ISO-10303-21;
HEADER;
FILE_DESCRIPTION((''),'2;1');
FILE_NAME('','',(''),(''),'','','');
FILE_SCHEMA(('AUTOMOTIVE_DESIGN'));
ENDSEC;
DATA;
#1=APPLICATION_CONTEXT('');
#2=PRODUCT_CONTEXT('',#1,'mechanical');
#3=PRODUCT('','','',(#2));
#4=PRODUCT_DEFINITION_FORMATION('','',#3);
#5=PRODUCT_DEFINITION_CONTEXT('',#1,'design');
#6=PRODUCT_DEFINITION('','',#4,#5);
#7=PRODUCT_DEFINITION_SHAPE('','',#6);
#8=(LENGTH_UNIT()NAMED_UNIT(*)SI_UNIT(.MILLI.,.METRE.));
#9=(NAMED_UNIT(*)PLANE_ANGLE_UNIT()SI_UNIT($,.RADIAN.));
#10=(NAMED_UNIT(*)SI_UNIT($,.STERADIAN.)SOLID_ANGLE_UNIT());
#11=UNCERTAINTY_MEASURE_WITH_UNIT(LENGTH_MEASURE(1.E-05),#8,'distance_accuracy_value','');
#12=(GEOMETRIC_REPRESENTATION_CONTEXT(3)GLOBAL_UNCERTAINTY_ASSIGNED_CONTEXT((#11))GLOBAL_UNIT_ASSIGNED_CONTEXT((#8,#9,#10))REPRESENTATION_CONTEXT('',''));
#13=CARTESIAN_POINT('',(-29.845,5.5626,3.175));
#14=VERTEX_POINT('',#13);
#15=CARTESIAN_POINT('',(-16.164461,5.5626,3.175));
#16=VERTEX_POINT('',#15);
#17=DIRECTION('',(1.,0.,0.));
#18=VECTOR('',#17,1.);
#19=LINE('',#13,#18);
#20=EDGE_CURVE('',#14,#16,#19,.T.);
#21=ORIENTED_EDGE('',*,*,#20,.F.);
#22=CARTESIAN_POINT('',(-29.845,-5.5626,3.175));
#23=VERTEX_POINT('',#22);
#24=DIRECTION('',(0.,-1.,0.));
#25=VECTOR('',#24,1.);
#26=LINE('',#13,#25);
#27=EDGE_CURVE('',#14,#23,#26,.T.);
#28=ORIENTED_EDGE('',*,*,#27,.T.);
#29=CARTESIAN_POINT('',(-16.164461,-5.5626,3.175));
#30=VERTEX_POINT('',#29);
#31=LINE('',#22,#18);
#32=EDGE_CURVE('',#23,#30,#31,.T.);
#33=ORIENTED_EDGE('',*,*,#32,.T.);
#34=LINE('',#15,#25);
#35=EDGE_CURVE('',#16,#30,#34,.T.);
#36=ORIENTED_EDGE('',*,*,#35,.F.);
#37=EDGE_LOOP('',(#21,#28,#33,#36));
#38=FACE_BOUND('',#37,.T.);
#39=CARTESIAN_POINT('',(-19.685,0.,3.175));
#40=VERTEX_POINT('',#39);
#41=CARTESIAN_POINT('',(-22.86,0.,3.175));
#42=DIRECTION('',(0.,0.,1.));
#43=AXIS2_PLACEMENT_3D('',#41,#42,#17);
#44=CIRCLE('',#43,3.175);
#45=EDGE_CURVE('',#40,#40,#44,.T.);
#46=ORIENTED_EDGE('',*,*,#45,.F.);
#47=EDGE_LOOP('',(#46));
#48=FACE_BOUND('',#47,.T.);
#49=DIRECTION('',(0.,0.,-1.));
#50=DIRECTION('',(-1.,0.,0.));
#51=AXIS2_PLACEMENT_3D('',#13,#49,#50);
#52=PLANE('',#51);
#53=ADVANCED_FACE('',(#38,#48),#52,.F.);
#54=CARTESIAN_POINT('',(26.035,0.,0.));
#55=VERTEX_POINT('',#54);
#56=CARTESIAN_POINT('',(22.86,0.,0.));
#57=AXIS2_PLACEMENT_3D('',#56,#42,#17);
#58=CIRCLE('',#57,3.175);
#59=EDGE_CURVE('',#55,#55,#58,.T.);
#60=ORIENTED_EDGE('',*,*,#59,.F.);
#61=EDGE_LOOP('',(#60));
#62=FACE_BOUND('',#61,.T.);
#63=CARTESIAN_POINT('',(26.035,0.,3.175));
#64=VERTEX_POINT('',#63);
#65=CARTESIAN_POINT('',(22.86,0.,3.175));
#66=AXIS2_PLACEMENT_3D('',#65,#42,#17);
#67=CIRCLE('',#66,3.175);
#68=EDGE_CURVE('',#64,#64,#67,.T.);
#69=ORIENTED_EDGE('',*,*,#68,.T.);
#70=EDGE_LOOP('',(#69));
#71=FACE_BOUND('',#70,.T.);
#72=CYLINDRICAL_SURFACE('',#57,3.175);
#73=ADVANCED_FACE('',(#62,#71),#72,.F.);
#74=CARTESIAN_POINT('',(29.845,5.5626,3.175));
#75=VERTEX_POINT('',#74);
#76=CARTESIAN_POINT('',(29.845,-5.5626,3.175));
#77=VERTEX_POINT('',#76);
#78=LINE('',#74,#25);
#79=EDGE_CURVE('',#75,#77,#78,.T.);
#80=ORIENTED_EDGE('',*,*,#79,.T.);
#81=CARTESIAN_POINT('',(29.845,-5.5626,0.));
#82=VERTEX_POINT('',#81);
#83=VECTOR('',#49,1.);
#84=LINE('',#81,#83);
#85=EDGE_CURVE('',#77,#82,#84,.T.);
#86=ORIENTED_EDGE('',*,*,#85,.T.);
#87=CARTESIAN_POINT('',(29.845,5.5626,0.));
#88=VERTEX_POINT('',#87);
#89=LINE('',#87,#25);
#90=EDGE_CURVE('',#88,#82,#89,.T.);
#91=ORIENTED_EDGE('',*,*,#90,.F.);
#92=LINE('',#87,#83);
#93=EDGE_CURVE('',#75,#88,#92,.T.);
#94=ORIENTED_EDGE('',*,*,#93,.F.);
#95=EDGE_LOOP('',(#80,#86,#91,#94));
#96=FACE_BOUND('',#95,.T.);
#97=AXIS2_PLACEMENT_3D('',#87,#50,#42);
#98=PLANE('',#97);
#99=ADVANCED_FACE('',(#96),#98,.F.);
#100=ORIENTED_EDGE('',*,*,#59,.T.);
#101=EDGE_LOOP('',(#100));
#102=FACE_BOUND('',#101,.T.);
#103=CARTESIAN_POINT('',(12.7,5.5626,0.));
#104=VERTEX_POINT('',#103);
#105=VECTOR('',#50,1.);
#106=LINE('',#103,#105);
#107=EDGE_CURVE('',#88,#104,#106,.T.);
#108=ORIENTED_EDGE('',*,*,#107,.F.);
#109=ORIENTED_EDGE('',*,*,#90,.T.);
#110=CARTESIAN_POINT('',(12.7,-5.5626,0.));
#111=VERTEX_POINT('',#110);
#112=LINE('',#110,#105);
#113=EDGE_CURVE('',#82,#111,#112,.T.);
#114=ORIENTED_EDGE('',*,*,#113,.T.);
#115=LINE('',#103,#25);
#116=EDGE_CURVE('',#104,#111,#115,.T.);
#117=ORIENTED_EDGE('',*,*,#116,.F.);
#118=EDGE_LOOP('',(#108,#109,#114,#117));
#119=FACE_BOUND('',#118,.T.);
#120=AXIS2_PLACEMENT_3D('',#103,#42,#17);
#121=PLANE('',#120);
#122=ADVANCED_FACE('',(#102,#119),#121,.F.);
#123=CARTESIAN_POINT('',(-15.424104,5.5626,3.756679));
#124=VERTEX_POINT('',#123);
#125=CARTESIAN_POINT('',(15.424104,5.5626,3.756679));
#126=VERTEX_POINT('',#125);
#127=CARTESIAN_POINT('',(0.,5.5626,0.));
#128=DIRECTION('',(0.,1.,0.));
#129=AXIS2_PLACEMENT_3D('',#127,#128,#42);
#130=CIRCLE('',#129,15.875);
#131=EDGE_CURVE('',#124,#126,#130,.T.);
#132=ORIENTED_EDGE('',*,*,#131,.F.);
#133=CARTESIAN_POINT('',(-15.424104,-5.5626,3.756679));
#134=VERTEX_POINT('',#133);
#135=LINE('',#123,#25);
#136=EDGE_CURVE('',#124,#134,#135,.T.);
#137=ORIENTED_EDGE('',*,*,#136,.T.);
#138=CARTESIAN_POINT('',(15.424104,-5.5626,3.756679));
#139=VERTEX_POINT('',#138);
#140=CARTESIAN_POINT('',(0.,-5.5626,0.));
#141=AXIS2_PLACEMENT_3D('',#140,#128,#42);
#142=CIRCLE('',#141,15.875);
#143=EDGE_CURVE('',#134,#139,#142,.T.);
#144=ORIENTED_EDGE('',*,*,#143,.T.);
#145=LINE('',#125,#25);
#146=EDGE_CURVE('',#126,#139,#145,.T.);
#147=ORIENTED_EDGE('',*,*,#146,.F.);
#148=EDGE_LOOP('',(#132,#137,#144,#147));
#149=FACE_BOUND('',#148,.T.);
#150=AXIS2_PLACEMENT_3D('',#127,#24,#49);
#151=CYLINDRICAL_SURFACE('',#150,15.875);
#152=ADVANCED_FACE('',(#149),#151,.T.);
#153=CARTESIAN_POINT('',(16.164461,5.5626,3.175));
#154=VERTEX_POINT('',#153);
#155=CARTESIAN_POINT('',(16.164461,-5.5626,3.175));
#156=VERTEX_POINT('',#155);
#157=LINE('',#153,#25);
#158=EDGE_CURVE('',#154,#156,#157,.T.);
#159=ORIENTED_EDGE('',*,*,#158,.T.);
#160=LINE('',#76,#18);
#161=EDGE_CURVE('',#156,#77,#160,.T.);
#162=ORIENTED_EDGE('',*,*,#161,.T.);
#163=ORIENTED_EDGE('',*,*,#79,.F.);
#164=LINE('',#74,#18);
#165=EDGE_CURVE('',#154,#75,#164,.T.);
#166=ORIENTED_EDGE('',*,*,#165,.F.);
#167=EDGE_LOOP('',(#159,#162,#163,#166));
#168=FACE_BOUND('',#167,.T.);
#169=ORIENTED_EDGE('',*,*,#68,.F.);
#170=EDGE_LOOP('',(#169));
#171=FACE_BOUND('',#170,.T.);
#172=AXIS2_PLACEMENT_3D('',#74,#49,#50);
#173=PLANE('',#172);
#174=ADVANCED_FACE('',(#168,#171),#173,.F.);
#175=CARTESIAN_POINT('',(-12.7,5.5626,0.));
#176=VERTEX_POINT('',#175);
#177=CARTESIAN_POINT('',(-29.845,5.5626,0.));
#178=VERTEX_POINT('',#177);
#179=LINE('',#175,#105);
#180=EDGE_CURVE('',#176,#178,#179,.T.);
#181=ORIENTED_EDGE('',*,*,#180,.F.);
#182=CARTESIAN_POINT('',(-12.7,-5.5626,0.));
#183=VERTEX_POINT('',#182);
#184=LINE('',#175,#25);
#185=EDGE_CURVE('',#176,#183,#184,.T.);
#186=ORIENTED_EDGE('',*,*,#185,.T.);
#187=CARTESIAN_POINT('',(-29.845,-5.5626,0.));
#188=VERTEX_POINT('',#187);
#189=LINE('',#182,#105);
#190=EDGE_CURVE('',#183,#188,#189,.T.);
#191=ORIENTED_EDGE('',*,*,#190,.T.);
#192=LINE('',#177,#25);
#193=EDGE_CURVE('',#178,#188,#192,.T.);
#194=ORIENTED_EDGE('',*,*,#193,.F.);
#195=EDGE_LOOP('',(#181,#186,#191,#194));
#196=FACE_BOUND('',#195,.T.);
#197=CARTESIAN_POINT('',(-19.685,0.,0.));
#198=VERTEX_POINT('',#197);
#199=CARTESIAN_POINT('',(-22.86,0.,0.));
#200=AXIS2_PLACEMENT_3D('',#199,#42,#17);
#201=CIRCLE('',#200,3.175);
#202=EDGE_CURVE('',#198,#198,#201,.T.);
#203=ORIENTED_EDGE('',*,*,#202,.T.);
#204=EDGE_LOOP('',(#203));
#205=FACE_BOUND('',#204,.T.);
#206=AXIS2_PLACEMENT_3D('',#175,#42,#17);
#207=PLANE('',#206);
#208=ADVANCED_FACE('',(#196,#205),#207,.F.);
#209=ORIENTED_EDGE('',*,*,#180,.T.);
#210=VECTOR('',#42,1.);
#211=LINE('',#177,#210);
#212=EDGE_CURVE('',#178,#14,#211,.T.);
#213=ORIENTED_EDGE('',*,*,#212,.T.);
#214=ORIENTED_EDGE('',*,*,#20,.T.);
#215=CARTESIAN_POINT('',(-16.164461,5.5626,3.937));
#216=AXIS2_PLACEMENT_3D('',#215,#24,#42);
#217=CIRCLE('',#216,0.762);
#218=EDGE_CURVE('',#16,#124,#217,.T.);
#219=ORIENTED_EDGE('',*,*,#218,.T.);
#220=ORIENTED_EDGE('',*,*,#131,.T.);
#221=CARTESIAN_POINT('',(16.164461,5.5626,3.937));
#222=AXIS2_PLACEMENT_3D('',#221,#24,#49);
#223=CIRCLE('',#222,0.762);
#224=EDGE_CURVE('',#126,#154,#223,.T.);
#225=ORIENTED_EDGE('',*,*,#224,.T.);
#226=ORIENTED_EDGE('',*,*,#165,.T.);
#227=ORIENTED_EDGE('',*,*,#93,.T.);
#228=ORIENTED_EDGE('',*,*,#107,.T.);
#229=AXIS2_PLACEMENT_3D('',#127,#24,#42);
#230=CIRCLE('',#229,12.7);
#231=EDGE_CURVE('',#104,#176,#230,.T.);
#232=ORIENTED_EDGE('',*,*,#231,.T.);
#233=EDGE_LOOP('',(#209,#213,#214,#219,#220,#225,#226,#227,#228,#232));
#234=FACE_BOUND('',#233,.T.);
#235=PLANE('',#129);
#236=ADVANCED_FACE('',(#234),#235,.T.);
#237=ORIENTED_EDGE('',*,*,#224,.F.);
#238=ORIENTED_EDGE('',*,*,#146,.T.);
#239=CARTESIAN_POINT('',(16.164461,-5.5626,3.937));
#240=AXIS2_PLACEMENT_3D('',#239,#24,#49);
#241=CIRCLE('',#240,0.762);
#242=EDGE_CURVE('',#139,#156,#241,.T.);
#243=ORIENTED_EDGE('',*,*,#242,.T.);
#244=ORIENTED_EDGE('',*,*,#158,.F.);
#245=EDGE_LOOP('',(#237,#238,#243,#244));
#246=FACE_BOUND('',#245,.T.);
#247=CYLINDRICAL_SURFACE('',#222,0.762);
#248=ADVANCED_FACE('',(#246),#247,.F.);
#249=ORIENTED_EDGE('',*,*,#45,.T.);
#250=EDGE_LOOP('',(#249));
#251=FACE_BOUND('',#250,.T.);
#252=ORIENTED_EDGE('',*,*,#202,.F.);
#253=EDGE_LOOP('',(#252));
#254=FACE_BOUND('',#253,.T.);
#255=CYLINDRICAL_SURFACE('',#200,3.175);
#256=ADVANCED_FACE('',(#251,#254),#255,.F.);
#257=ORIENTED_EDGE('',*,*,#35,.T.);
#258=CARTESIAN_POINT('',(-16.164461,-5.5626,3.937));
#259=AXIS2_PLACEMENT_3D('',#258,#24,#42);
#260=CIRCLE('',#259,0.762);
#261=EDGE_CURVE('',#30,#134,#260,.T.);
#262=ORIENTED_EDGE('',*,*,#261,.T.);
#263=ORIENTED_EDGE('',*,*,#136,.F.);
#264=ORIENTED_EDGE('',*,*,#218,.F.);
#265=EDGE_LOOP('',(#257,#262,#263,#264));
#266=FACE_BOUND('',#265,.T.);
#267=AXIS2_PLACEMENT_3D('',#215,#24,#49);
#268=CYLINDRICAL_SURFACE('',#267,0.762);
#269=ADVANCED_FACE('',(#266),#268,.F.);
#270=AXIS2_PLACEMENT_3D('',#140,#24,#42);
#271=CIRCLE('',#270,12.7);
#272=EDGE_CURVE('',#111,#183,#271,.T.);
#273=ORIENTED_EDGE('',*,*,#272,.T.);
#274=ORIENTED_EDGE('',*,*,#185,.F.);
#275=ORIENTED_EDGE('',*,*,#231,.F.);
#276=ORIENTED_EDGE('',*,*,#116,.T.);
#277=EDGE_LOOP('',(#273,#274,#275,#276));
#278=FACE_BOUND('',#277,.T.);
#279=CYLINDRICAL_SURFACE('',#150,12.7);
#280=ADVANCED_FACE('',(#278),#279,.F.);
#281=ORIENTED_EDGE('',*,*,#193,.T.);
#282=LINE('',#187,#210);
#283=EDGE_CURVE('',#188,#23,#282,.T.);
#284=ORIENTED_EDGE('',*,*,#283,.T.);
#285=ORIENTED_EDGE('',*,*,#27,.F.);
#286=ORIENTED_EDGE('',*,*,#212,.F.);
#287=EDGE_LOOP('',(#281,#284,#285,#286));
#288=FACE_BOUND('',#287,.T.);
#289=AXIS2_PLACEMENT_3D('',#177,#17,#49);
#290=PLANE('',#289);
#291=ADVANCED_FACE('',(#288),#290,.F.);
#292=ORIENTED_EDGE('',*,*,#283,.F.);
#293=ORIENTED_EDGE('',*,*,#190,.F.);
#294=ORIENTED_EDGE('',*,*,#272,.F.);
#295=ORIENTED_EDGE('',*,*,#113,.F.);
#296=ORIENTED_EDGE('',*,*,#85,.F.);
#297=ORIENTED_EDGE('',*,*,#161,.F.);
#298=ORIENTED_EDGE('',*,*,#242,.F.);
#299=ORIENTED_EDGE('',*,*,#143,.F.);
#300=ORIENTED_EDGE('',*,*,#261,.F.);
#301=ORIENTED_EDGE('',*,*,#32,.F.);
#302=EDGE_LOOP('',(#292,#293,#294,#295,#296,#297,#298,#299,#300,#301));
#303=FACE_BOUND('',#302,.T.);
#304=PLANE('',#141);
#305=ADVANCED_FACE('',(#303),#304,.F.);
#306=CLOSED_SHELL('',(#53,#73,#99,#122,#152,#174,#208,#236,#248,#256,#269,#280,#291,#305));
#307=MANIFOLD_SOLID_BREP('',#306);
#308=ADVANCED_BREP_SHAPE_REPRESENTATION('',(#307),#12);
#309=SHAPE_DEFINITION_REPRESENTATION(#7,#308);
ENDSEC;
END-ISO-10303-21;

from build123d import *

# Parameters (mm, degrees)
BOSS_EXTRUDE1_DEPTH = 5.5626
SKETCH2_R           = 3.175
CUT_EXTRUDE1_DEPTH  = 4.175


with BuildPart() as part:
    # Sketch1 → Boss-Extrude1 (new body, symmetric)
    with BuildSketch(Plane(origin=(0, 0, 0), x_dir=(1, 0, 0), z_dir=(0, 1, 0))):
        with BuildLine():
            Line((-12.7, 0), (-29.845, 0))
            Line((-29.845, 0), (-29.845, -3.175))
            Line((-29.845, -3.175), (-16.164461018, -3.175))
            ThreePointArc((-16.164461018, -3.175), (-15.693695846, -3.337813758), (-15.424104025, -3.756679389))
            ThreePointArc((-15.424104025, -3.756679389), (0, -15.875), (15.424104025, -3.756679389))
            ThreePointArc((15.424104025, -3.756679389), (15.693695846, -3.337813758), (16.164461018, -3.175))
            Line((16.164461018, -3.175), (29.845, -3.175))
            Line((29.845, -3.175), (29.845, 0))
            Line((29.845, 0), (12.7, 0))
            ThreePointArc((12.7, 0), (0, -12.7), (-12.7, 0))
        make_face()
    extrude(amount=BOSS_EXTRUDE1_DEPTH, both=True)

    # Sketch2 → Cut-Extrude1 (cut, through all)
    with BuildSketch(Plane.XY.offset(3.175)):
        with Locations((-22.86, 0)):
            Circle(SKETCH2_R)
        with Locations((22.86, 0)):
            Circle(SKETCH2_R)
    extrude(amount=-CUT_EXTRUDE1_DEPTH, mode=Mode.SUBTRACT)


solid = part.part
